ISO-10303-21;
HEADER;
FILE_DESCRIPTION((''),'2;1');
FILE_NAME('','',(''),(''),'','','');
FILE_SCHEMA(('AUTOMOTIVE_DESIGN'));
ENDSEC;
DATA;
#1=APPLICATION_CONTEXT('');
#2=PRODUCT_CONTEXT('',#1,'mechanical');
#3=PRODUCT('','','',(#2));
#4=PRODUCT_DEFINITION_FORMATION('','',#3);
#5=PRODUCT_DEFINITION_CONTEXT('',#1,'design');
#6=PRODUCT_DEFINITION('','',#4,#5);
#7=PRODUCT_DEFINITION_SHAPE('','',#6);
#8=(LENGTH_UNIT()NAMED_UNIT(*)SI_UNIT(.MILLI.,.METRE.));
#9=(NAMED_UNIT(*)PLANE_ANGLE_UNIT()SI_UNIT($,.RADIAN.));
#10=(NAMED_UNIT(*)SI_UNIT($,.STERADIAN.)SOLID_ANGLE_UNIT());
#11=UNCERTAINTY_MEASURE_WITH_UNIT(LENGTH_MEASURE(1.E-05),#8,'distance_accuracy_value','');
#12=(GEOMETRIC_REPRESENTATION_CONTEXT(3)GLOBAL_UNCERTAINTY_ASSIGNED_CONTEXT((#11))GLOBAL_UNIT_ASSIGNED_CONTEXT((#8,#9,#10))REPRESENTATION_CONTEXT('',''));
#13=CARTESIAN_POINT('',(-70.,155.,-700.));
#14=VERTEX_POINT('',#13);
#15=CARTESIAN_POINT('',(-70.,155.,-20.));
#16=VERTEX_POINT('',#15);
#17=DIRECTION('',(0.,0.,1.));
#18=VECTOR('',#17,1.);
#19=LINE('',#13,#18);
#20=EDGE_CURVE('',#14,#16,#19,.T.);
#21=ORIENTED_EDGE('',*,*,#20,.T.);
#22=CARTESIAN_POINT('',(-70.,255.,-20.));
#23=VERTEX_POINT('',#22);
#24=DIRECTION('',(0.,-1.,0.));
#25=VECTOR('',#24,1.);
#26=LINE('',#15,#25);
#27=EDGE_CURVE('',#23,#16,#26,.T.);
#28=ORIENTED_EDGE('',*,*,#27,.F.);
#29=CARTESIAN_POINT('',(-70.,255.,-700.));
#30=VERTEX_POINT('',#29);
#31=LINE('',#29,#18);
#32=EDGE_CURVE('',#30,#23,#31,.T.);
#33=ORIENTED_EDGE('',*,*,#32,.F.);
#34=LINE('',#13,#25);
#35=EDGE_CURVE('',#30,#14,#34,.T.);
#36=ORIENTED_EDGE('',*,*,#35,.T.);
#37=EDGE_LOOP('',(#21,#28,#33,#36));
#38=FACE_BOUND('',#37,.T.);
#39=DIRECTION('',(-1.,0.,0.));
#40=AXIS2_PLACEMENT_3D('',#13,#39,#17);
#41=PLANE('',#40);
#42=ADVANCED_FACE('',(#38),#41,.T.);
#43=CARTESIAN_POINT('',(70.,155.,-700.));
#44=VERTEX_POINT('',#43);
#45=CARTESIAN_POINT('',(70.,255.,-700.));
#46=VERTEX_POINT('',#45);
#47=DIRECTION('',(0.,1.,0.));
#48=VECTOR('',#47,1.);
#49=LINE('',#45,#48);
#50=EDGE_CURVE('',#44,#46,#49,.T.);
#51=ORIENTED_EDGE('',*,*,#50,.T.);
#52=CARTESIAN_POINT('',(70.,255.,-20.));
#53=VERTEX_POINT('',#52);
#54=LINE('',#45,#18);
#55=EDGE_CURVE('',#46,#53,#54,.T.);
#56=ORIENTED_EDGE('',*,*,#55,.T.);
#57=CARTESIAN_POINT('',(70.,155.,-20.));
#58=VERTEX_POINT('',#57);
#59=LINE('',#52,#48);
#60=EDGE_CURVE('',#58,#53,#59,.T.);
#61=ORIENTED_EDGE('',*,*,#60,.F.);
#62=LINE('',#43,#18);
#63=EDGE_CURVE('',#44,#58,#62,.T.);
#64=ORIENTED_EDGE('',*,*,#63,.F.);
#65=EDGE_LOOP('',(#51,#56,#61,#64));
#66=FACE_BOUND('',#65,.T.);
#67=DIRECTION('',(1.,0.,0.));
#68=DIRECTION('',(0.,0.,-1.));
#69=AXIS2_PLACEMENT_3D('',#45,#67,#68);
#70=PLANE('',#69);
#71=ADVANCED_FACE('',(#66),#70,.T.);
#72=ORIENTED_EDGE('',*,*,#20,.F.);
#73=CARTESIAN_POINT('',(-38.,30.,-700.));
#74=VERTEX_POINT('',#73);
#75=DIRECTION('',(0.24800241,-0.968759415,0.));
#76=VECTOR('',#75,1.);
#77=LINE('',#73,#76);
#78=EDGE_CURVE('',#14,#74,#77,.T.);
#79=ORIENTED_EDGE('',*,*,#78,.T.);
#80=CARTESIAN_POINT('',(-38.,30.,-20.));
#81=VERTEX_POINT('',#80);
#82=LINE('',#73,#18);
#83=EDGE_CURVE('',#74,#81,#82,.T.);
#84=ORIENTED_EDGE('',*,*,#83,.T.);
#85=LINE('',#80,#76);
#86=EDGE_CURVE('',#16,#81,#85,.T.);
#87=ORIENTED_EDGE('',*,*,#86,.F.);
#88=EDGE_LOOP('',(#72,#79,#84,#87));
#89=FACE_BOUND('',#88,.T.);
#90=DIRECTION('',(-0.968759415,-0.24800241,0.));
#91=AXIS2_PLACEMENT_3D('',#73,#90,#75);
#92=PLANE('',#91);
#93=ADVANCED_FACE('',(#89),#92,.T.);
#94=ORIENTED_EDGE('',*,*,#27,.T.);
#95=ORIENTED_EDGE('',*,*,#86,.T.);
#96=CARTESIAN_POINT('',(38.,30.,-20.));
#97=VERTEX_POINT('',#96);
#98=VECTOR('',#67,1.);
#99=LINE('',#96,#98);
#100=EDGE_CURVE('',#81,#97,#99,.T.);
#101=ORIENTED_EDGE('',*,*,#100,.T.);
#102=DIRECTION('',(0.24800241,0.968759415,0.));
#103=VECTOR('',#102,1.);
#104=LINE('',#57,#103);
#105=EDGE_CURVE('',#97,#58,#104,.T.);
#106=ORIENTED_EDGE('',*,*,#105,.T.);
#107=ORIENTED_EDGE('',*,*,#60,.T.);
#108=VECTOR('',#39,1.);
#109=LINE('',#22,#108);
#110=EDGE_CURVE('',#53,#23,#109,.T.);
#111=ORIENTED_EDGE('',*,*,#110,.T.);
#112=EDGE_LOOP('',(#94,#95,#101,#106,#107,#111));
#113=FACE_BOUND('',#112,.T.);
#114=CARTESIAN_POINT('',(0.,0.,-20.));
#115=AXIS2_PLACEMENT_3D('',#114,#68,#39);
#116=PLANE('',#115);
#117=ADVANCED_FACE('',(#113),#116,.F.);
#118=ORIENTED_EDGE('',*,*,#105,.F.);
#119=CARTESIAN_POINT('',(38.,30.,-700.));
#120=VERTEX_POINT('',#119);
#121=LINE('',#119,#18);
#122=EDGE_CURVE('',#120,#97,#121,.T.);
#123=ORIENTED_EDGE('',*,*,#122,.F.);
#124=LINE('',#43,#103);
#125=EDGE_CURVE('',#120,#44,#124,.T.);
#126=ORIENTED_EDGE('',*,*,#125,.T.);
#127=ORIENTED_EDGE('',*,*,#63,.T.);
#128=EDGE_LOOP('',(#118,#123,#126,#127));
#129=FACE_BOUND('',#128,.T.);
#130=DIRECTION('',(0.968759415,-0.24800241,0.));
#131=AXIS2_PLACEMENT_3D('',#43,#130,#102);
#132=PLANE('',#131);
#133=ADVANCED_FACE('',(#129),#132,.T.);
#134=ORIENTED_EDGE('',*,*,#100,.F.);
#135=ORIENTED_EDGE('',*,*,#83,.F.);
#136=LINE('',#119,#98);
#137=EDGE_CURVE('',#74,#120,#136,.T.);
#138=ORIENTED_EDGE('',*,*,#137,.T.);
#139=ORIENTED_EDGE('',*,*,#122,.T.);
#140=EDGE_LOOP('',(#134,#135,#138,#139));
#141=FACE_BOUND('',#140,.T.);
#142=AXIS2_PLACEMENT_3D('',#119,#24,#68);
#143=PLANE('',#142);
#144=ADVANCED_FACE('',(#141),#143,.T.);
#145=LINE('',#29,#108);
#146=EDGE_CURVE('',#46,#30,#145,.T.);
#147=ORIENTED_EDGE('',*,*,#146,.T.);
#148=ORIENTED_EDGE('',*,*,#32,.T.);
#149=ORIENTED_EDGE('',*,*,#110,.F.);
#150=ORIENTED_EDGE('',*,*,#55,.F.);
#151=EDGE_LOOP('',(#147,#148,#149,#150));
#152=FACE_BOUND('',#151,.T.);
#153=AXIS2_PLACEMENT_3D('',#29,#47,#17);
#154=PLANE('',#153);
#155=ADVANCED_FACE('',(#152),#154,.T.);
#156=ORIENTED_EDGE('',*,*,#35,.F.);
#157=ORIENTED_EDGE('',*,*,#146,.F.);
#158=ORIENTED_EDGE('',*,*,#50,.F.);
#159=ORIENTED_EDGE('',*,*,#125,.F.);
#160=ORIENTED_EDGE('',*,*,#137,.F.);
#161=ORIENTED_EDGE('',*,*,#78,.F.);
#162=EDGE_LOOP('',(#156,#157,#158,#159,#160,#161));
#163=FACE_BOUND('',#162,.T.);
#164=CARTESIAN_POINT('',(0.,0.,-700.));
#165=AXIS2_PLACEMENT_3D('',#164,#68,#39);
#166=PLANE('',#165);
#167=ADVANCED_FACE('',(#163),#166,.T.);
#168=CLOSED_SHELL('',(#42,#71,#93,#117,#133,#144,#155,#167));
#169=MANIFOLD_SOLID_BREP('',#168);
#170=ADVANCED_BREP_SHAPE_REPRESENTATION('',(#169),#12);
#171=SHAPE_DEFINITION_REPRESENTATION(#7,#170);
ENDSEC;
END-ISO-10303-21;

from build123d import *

# Parameters (mm, degrees)
KAP_PC_GOVDE_5MM_1_START = -20
KAP_PC_GOVDE_5MM_1_DEPTH = 680


with BuildPart() as part:
    # Sketch1 → KAP_PC_govde_5mm_1 (new body)
    with BuildSketch(Plane.XY.offset(KAP_PC_GOVDE_5MM_1_START)):
        Polygon((-70, 255), (70, 255), (70, 155), (38, 30), (-38, 30), (-70, 155), align=None)
    extrude(amount=-KAP_PC_GOVDE_5MM_1_DEPTH)


solid = part.part
